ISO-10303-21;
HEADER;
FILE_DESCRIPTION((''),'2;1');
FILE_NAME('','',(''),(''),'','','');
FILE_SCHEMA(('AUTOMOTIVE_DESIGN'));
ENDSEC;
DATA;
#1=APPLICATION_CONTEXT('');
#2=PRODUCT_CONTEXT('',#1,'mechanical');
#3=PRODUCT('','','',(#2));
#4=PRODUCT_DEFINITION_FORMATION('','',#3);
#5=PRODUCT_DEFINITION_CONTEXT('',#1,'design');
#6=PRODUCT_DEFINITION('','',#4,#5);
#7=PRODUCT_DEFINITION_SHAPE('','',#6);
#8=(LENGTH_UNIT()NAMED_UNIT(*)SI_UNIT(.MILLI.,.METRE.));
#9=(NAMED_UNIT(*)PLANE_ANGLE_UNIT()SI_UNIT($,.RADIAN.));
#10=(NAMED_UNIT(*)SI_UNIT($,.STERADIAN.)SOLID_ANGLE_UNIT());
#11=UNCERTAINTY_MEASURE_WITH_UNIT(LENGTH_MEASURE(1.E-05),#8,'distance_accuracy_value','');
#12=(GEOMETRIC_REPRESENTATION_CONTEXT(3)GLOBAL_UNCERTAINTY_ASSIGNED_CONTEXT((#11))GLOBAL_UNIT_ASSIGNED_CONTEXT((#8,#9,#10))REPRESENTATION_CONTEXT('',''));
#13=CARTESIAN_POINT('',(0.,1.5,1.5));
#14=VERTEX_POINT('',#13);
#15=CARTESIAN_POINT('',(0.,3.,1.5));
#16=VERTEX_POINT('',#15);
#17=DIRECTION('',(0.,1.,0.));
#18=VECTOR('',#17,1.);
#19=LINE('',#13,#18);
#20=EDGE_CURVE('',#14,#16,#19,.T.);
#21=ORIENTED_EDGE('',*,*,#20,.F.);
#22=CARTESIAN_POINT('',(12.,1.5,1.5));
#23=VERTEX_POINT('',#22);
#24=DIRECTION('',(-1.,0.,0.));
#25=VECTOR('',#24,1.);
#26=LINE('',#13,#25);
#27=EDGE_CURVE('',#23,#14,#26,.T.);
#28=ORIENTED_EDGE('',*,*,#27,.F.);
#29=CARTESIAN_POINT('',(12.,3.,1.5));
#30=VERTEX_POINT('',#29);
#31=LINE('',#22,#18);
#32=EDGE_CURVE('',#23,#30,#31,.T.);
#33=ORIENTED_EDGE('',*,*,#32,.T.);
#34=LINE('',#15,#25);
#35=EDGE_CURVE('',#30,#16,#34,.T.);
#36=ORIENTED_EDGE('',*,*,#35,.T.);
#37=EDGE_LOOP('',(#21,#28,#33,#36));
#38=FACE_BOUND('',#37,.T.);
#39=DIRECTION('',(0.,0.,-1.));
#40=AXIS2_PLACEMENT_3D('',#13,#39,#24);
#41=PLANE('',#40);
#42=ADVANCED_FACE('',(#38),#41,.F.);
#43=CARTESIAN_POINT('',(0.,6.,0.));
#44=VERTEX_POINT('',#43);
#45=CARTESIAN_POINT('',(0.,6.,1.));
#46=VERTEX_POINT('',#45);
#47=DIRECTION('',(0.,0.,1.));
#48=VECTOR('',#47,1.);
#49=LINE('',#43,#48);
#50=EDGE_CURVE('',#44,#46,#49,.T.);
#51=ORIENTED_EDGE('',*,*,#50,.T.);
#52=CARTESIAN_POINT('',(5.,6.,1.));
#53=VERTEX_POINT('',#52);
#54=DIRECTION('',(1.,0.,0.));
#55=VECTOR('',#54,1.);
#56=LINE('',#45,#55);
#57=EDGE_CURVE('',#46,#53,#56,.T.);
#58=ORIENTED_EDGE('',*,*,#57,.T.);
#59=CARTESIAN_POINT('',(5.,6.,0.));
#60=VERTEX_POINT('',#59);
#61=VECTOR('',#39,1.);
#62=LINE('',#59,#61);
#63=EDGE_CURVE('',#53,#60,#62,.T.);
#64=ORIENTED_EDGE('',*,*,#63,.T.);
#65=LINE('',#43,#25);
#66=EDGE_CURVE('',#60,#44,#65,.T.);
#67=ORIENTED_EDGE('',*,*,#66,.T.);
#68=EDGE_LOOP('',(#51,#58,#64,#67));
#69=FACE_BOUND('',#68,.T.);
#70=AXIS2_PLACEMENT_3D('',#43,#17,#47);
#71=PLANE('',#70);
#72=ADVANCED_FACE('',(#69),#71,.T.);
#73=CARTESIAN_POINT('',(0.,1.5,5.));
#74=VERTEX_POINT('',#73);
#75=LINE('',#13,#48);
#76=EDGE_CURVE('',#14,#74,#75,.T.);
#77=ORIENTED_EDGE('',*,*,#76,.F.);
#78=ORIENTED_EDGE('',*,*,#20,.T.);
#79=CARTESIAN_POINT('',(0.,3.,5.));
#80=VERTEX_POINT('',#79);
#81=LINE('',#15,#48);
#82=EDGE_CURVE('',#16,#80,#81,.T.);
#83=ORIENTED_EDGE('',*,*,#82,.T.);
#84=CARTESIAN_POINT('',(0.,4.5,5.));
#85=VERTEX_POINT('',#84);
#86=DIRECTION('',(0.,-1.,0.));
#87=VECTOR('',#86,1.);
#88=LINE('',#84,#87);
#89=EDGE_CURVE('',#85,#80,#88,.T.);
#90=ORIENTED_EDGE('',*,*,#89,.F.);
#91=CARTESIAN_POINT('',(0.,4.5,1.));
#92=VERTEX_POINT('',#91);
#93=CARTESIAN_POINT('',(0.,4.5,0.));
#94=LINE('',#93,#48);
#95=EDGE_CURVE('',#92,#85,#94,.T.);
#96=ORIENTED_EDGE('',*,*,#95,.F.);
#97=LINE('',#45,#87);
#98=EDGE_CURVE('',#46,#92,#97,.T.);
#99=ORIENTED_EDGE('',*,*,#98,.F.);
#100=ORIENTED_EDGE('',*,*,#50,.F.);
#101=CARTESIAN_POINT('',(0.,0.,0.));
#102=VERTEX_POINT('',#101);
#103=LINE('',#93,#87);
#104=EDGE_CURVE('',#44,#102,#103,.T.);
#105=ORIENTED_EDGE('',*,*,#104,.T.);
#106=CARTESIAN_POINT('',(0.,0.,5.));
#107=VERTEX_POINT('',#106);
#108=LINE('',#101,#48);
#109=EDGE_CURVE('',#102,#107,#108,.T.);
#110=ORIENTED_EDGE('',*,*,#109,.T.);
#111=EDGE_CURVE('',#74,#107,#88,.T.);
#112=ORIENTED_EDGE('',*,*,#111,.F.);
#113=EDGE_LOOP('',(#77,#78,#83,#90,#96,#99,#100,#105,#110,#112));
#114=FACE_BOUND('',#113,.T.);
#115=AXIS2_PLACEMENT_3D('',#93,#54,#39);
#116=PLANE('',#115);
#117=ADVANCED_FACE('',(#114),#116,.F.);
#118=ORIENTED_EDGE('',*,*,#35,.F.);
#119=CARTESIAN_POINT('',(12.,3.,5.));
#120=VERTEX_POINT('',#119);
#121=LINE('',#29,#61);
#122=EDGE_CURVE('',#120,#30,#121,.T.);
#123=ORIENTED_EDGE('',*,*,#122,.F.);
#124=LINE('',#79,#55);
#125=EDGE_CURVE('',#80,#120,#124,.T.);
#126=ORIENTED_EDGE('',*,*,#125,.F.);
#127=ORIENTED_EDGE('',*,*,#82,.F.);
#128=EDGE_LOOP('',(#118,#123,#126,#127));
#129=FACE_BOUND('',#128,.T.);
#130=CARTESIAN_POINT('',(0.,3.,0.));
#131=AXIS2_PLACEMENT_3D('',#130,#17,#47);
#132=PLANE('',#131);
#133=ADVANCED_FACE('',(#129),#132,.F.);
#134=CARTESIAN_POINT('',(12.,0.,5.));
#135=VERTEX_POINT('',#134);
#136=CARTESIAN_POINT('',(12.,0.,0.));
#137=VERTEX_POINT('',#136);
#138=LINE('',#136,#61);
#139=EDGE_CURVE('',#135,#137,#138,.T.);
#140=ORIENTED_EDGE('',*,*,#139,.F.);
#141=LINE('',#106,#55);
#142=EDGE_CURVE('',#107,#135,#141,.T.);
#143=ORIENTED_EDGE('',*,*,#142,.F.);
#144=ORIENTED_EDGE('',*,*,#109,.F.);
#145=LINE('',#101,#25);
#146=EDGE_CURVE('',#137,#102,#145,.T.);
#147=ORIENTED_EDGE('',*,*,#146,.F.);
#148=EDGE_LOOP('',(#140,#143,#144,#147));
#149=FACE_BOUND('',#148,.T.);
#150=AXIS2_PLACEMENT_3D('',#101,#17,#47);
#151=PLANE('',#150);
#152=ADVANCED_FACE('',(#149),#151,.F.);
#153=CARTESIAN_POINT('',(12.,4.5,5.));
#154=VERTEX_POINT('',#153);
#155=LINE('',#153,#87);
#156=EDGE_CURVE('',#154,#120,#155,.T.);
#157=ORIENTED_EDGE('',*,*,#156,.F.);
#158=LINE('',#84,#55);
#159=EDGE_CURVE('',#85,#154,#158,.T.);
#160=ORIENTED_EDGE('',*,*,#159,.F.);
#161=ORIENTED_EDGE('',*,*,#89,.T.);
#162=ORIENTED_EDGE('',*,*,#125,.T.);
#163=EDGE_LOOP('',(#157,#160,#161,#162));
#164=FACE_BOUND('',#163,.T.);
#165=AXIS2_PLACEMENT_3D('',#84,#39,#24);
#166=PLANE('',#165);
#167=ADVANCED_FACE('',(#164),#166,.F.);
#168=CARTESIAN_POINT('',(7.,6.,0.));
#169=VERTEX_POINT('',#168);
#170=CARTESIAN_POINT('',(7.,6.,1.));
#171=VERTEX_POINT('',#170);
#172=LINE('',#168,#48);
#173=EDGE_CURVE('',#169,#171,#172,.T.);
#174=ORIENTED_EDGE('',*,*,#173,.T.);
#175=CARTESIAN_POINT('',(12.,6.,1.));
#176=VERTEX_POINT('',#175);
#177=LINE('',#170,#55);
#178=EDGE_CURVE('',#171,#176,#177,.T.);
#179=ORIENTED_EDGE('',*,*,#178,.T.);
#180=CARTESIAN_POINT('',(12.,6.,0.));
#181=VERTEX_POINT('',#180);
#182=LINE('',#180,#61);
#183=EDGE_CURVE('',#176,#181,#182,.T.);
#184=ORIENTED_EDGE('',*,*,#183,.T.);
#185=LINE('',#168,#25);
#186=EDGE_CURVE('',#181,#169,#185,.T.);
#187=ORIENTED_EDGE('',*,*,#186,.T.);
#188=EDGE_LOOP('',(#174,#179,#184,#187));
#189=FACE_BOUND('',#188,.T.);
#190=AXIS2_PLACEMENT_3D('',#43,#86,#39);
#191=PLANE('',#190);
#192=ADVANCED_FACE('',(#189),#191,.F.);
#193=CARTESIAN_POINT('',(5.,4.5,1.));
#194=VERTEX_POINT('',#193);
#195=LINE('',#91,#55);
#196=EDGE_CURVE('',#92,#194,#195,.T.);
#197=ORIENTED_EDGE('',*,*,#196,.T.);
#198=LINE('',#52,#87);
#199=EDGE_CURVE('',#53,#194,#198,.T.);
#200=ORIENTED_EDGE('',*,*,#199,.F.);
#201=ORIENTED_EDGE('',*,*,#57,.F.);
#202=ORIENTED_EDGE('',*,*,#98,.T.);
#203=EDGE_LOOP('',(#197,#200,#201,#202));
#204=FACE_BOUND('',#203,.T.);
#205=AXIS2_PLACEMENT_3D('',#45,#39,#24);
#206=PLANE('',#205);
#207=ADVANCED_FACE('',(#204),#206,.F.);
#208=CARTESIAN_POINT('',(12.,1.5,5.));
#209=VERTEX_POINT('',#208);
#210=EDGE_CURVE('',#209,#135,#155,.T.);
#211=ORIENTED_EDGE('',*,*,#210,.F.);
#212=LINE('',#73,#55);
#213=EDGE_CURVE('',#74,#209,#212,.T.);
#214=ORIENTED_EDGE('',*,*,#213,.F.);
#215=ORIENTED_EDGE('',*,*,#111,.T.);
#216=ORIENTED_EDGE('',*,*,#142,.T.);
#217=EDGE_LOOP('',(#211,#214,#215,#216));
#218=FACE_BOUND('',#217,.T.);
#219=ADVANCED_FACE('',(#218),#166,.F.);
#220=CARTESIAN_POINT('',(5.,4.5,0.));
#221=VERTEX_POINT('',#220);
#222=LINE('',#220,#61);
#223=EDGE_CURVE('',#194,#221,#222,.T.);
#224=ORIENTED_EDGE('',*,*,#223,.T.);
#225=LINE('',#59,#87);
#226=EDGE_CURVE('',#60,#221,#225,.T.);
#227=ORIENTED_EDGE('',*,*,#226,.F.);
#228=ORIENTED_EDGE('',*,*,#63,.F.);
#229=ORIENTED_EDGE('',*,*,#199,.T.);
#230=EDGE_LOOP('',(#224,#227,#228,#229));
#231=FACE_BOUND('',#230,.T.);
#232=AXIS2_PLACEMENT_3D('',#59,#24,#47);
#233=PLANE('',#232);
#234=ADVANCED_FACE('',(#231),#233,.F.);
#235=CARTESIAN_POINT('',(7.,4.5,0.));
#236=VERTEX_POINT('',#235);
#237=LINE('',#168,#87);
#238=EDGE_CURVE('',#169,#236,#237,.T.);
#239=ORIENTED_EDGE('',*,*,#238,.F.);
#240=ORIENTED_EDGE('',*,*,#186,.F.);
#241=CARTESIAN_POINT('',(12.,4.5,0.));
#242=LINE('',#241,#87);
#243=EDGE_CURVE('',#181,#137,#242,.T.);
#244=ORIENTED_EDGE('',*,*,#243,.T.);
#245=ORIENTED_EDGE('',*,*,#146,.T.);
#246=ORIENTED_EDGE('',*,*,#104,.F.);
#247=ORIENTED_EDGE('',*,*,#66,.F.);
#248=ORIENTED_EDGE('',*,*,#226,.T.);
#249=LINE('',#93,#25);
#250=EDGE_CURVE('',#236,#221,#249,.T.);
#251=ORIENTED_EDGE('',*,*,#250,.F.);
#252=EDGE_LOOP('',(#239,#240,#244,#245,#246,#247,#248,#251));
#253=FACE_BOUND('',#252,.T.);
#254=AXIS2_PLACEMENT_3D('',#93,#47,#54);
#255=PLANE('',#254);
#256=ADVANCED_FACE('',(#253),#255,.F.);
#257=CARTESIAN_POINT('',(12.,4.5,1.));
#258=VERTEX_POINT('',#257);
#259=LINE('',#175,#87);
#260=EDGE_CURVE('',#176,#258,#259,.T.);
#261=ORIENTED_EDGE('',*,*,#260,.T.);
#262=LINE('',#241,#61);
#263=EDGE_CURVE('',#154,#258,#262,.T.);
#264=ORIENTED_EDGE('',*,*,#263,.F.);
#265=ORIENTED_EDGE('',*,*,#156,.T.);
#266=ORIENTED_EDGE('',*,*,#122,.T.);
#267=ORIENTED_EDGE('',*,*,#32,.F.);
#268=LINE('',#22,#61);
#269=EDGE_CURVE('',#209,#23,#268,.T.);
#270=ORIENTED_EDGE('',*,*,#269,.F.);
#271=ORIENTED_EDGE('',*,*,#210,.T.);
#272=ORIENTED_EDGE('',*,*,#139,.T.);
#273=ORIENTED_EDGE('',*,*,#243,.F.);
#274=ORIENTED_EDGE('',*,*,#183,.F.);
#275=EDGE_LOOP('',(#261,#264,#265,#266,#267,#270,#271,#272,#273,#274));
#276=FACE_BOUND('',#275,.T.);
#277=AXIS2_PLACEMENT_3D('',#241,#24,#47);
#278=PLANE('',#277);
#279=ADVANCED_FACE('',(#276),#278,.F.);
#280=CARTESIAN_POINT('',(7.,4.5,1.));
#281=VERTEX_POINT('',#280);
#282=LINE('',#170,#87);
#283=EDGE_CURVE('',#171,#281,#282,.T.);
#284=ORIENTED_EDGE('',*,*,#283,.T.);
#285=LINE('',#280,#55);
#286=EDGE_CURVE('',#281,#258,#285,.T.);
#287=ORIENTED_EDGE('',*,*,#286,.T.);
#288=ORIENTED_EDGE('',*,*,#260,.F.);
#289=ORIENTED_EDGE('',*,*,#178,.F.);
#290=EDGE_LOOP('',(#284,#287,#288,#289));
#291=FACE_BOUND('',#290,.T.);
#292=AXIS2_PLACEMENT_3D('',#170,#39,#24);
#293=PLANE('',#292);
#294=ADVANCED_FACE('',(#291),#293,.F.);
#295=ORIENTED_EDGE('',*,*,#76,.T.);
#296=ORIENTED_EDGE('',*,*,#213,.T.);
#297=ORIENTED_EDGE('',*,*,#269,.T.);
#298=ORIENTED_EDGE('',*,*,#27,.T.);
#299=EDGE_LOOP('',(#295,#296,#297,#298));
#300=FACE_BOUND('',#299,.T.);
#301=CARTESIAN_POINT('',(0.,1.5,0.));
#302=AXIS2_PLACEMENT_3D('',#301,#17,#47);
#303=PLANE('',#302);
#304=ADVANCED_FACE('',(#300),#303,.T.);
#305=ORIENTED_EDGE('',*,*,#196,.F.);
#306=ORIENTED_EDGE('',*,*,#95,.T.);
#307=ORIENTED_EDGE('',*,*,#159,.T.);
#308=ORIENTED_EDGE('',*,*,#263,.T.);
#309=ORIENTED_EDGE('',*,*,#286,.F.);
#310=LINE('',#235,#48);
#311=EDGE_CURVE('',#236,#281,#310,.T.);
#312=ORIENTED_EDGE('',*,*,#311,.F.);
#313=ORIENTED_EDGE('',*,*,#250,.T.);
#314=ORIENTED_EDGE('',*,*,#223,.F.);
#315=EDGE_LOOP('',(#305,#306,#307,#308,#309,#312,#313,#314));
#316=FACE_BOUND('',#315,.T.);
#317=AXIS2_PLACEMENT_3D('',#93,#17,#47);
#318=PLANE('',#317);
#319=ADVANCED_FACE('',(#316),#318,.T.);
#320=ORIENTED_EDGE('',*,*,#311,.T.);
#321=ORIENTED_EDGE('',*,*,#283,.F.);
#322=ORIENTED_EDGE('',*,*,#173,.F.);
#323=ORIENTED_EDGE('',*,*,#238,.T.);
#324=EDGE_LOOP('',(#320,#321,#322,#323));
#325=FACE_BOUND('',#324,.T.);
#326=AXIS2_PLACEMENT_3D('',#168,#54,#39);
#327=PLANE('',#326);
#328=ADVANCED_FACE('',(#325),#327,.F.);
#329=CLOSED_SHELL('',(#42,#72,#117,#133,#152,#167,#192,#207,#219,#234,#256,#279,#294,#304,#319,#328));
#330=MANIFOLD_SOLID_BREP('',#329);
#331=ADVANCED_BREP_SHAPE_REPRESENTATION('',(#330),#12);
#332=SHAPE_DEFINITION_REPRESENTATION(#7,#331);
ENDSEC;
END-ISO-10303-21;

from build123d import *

# Parameters (mm, degrees)
SKETCH1_W           = 12
SKETCH1_H           = 5
BOSS_EXTRUDE1_DEPTH = 4.5
CUT_EXTRUDE1_START  = -1.5
SKETCH2_W           = 12
SKETCH2_H           = 3.5
CUT_EXTRUDE1_DEPTH  = 1.5
SKETCH4_W           = 5
SKETCH4_H           = 1
BOSS_EXTRUDE2_DEPTH = 1.5


with BuildPart() as part:
    # Sketch1 → Boss-Extrude1 (new body)
    with BuildSketch(Plane(origin=(0, 0, 0), x_dir=(1, 0, 0), z_dir=(0, 1, 0))):
        with Locations((6, -2.5)):
            Rectangle(SKETCH1_W, SKETCH1_H)
    extrude(amount=BOSS_EXTRUDE1_DEPTH)

    # Sketch2 → Cut-Extrude1 (cut)
    with BuildSketch(Plane(origin=(0, 4.5, 0), x_dir=(1, 0, 0), z_dir=(0, 1, 0)).offset(CUT_EXTRUDE1_START)):
        with Locations((6, -3.25)):
            Rectangle(SKETCH2_W, SKETCH2_H)
    extrude(amount=-CUT_EXTRUDE1_DEPTH, mode=Mode.SUBTRACT)

    # Sketch4 → Boss-Extrude2 (add)
    with BuildSketch(Plane(origin=(0, 4.5, 0), x_dir=(1, 0, 0), z_dir=(0, 1, 0))):
        with Locations((2.5, -0.5)):
            Rectangle(SKETCH4_W, SKETCH4_H)
        with Locations((9.5, -0.5)):
            Rectangle(SKETCH4_W, SKETCH4_H)
    extrude(amount=BOSS_EXTRUDE2_DEPTH)


solid = part.part
